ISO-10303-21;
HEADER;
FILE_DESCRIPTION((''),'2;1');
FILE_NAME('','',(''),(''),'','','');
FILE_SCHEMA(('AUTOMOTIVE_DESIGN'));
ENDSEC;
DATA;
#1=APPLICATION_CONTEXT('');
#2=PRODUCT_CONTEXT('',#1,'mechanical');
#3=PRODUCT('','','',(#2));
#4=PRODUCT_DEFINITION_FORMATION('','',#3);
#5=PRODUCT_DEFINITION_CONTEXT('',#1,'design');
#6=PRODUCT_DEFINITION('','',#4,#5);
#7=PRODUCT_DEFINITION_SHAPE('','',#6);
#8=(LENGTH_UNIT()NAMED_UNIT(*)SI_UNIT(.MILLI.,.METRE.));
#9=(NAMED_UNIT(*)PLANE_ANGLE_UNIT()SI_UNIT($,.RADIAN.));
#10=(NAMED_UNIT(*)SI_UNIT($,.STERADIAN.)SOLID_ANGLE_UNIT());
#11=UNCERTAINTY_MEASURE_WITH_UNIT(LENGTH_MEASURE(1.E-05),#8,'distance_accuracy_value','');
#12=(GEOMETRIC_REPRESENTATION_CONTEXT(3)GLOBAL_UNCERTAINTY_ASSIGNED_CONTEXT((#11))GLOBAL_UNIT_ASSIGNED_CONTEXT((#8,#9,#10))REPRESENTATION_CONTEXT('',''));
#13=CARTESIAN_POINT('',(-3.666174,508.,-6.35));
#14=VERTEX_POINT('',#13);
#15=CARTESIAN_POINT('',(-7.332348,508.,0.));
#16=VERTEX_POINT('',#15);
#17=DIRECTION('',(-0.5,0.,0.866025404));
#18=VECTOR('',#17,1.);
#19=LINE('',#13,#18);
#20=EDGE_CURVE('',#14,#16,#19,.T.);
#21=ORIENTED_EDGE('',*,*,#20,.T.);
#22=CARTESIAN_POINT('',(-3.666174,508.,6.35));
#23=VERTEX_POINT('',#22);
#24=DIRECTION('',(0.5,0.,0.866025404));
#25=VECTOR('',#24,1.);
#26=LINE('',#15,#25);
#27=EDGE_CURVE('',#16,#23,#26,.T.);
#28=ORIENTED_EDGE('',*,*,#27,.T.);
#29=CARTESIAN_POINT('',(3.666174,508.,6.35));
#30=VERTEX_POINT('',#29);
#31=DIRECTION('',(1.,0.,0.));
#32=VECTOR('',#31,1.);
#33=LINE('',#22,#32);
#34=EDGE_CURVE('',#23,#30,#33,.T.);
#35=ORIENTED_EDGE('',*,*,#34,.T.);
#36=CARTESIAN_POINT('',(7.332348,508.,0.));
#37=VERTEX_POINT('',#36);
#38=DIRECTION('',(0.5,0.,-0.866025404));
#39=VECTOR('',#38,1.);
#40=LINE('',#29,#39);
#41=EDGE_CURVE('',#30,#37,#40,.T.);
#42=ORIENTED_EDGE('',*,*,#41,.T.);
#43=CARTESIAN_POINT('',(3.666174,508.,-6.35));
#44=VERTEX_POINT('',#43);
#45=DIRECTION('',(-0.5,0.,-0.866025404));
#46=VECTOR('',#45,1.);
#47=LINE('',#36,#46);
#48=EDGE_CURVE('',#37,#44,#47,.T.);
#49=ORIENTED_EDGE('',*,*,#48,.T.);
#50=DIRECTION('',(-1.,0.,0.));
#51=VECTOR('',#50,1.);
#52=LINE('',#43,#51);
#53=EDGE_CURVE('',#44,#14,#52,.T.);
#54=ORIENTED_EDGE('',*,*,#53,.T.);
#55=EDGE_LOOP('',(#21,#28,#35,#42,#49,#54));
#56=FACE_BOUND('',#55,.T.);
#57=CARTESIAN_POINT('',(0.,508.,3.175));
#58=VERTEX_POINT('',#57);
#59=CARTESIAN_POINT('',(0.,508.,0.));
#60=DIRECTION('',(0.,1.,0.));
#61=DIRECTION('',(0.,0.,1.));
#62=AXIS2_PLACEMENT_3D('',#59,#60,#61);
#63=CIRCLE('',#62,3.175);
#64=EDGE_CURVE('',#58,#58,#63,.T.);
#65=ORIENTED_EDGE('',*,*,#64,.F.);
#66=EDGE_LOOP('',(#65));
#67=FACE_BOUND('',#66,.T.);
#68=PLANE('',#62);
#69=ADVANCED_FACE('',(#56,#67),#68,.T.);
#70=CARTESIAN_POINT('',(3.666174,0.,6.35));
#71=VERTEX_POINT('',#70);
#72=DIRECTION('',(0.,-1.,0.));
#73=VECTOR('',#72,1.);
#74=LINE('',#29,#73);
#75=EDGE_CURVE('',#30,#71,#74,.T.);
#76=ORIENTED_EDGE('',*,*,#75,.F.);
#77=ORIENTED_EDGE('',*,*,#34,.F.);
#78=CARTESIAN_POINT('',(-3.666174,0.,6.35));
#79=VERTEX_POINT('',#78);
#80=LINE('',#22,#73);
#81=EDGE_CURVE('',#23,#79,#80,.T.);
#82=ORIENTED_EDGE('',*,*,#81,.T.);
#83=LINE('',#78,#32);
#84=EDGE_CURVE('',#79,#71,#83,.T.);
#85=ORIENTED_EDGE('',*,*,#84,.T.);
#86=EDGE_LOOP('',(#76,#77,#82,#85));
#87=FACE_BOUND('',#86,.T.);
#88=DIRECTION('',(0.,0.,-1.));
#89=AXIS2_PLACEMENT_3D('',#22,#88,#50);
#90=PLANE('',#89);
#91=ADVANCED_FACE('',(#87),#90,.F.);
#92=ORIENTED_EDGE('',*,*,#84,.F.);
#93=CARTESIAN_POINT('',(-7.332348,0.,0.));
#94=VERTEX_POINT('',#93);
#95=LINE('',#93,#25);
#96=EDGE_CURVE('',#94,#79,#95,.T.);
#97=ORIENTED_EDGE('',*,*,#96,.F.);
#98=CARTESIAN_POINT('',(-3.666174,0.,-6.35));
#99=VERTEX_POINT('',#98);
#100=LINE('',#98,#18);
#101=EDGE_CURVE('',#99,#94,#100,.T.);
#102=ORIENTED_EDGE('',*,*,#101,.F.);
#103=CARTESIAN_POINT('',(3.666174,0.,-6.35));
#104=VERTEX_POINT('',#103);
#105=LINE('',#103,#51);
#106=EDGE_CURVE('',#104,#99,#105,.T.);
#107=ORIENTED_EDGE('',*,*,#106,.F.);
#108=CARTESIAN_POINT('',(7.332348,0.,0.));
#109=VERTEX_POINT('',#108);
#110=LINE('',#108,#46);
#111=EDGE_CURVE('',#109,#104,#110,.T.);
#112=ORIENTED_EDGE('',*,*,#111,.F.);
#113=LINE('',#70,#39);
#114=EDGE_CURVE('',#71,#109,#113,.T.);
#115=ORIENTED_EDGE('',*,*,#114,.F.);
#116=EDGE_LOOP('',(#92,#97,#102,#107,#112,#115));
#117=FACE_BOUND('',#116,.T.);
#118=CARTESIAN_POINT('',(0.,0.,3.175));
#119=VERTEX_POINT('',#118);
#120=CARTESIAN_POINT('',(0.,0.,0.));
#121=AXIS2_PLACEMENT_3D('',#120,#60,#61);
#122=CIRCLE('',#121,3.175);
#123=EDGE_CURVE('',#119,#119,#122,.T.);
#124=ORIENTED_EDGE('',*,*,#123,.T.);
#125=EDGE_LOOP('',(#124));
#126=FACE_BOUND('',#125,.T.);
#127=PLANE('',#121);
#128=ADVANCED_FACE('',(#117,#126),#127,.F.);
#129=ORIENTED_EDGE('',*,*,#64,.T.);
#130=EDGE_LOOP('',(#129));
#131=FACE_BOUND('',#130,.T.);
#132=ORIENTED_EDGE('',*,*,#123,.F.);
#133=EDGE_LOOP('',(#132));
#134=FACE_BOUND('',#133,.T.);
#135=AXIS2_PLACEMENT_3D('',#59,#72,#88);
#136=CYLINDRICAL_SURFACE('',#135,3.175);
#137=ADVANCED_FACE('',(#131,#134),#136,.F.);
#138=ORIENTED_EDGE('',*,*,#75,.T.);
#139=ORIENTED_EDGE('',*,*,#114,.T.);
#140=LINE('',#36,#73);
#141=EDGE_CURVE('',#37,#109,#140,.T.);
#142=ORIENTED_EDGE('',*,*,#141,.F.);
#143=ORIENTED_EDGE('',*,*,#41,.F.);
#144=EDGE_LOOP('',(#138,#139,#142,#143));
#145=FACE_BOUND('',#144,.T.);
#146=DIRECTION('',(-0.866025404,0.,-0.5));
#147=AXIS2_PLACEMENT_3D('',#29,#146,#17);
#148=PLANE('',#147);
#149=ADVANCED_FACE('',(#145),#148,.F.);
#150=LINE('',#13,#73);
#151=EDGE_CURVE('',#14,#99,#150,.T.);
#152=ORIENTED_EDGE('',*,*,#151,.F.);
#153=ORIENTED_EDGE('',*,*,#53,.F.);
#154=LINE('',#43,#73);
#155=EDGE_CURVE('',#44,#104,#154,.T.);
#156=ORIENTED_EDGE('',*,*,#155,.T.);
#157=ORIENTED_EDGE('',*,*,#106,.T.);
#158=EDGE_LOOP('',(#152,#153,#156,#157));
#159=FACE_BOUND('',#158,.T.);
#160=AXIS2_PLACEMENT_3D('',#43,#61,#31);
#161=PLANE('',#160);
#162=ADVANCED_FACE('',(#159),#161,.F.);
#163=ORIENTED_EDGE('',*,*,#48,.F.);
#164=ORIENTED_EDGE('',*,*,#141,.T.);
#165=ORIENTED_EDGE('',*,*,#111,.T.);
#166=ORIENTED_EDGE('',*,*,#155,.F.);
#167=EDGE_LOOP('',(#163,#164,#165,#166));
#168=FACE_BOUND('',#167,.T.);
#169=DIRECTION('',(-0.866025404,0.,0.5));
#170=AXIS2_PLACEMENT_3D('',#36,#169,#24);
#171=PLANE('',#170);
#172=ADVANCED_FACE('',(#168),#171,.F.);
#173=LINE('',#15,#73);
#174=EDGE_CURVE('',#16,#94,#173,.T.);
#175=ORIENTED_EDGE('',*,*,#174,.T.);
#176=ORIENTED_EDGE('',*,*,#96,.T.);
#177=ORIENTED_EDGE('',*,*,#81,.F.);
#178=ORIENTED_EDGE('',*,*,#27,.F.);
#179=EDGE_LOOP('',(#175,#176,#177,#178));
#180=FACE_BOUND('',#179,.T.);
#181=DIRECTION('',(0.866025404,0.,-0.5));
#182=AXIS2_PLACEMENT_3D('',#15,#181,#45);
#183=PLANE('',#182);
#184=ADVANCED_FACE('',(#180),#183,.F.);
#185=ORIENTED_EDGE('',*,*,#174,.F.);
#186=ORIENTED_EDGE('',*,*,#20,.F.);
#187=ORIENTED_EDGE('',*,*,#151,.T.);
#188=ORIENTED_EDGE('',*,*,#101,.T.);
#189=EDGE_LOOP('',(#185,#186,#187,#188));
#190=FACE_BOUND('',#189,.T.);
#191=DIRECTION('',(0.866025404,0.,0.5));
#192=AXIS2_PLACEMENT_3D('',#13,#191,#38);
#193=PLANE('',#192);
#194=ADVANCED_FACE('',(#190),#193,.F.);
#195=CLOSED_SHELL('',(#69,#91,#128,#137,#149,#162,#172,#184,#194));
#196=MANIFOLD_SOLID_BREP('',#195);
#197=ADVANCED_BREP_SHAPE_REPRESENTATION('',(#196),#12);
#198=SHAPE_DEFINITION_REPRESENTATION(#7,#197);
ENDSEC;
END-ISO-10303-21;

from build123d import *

# Parameters (mm, degrees)
SKETCH1_R           = 3.175
BOSS_EXTRUDE1_DEPTH = 508


with BuildPart() as part:
    # Sketch1 → Boss-Extrude1 (new body)
    with BuildSketch(Plane(origin=(0, 0, 0), x_dir=(1, 0, 0), z_dir=(0, 1, 0))):
        Polygon((3.666174209, -6.35), (7.332348419, 0), (3.666174209, 6.35), (-3.666174209, 6.35), (-7.332348419, 0), (-3.666174209, -6.35), align=None)
        Circle(SKETCH1_R, mode=Mode.SUBTRACT)
    extrude(amount=BOSS_EXTRUDE1_DEPTH)


solid = part.part
